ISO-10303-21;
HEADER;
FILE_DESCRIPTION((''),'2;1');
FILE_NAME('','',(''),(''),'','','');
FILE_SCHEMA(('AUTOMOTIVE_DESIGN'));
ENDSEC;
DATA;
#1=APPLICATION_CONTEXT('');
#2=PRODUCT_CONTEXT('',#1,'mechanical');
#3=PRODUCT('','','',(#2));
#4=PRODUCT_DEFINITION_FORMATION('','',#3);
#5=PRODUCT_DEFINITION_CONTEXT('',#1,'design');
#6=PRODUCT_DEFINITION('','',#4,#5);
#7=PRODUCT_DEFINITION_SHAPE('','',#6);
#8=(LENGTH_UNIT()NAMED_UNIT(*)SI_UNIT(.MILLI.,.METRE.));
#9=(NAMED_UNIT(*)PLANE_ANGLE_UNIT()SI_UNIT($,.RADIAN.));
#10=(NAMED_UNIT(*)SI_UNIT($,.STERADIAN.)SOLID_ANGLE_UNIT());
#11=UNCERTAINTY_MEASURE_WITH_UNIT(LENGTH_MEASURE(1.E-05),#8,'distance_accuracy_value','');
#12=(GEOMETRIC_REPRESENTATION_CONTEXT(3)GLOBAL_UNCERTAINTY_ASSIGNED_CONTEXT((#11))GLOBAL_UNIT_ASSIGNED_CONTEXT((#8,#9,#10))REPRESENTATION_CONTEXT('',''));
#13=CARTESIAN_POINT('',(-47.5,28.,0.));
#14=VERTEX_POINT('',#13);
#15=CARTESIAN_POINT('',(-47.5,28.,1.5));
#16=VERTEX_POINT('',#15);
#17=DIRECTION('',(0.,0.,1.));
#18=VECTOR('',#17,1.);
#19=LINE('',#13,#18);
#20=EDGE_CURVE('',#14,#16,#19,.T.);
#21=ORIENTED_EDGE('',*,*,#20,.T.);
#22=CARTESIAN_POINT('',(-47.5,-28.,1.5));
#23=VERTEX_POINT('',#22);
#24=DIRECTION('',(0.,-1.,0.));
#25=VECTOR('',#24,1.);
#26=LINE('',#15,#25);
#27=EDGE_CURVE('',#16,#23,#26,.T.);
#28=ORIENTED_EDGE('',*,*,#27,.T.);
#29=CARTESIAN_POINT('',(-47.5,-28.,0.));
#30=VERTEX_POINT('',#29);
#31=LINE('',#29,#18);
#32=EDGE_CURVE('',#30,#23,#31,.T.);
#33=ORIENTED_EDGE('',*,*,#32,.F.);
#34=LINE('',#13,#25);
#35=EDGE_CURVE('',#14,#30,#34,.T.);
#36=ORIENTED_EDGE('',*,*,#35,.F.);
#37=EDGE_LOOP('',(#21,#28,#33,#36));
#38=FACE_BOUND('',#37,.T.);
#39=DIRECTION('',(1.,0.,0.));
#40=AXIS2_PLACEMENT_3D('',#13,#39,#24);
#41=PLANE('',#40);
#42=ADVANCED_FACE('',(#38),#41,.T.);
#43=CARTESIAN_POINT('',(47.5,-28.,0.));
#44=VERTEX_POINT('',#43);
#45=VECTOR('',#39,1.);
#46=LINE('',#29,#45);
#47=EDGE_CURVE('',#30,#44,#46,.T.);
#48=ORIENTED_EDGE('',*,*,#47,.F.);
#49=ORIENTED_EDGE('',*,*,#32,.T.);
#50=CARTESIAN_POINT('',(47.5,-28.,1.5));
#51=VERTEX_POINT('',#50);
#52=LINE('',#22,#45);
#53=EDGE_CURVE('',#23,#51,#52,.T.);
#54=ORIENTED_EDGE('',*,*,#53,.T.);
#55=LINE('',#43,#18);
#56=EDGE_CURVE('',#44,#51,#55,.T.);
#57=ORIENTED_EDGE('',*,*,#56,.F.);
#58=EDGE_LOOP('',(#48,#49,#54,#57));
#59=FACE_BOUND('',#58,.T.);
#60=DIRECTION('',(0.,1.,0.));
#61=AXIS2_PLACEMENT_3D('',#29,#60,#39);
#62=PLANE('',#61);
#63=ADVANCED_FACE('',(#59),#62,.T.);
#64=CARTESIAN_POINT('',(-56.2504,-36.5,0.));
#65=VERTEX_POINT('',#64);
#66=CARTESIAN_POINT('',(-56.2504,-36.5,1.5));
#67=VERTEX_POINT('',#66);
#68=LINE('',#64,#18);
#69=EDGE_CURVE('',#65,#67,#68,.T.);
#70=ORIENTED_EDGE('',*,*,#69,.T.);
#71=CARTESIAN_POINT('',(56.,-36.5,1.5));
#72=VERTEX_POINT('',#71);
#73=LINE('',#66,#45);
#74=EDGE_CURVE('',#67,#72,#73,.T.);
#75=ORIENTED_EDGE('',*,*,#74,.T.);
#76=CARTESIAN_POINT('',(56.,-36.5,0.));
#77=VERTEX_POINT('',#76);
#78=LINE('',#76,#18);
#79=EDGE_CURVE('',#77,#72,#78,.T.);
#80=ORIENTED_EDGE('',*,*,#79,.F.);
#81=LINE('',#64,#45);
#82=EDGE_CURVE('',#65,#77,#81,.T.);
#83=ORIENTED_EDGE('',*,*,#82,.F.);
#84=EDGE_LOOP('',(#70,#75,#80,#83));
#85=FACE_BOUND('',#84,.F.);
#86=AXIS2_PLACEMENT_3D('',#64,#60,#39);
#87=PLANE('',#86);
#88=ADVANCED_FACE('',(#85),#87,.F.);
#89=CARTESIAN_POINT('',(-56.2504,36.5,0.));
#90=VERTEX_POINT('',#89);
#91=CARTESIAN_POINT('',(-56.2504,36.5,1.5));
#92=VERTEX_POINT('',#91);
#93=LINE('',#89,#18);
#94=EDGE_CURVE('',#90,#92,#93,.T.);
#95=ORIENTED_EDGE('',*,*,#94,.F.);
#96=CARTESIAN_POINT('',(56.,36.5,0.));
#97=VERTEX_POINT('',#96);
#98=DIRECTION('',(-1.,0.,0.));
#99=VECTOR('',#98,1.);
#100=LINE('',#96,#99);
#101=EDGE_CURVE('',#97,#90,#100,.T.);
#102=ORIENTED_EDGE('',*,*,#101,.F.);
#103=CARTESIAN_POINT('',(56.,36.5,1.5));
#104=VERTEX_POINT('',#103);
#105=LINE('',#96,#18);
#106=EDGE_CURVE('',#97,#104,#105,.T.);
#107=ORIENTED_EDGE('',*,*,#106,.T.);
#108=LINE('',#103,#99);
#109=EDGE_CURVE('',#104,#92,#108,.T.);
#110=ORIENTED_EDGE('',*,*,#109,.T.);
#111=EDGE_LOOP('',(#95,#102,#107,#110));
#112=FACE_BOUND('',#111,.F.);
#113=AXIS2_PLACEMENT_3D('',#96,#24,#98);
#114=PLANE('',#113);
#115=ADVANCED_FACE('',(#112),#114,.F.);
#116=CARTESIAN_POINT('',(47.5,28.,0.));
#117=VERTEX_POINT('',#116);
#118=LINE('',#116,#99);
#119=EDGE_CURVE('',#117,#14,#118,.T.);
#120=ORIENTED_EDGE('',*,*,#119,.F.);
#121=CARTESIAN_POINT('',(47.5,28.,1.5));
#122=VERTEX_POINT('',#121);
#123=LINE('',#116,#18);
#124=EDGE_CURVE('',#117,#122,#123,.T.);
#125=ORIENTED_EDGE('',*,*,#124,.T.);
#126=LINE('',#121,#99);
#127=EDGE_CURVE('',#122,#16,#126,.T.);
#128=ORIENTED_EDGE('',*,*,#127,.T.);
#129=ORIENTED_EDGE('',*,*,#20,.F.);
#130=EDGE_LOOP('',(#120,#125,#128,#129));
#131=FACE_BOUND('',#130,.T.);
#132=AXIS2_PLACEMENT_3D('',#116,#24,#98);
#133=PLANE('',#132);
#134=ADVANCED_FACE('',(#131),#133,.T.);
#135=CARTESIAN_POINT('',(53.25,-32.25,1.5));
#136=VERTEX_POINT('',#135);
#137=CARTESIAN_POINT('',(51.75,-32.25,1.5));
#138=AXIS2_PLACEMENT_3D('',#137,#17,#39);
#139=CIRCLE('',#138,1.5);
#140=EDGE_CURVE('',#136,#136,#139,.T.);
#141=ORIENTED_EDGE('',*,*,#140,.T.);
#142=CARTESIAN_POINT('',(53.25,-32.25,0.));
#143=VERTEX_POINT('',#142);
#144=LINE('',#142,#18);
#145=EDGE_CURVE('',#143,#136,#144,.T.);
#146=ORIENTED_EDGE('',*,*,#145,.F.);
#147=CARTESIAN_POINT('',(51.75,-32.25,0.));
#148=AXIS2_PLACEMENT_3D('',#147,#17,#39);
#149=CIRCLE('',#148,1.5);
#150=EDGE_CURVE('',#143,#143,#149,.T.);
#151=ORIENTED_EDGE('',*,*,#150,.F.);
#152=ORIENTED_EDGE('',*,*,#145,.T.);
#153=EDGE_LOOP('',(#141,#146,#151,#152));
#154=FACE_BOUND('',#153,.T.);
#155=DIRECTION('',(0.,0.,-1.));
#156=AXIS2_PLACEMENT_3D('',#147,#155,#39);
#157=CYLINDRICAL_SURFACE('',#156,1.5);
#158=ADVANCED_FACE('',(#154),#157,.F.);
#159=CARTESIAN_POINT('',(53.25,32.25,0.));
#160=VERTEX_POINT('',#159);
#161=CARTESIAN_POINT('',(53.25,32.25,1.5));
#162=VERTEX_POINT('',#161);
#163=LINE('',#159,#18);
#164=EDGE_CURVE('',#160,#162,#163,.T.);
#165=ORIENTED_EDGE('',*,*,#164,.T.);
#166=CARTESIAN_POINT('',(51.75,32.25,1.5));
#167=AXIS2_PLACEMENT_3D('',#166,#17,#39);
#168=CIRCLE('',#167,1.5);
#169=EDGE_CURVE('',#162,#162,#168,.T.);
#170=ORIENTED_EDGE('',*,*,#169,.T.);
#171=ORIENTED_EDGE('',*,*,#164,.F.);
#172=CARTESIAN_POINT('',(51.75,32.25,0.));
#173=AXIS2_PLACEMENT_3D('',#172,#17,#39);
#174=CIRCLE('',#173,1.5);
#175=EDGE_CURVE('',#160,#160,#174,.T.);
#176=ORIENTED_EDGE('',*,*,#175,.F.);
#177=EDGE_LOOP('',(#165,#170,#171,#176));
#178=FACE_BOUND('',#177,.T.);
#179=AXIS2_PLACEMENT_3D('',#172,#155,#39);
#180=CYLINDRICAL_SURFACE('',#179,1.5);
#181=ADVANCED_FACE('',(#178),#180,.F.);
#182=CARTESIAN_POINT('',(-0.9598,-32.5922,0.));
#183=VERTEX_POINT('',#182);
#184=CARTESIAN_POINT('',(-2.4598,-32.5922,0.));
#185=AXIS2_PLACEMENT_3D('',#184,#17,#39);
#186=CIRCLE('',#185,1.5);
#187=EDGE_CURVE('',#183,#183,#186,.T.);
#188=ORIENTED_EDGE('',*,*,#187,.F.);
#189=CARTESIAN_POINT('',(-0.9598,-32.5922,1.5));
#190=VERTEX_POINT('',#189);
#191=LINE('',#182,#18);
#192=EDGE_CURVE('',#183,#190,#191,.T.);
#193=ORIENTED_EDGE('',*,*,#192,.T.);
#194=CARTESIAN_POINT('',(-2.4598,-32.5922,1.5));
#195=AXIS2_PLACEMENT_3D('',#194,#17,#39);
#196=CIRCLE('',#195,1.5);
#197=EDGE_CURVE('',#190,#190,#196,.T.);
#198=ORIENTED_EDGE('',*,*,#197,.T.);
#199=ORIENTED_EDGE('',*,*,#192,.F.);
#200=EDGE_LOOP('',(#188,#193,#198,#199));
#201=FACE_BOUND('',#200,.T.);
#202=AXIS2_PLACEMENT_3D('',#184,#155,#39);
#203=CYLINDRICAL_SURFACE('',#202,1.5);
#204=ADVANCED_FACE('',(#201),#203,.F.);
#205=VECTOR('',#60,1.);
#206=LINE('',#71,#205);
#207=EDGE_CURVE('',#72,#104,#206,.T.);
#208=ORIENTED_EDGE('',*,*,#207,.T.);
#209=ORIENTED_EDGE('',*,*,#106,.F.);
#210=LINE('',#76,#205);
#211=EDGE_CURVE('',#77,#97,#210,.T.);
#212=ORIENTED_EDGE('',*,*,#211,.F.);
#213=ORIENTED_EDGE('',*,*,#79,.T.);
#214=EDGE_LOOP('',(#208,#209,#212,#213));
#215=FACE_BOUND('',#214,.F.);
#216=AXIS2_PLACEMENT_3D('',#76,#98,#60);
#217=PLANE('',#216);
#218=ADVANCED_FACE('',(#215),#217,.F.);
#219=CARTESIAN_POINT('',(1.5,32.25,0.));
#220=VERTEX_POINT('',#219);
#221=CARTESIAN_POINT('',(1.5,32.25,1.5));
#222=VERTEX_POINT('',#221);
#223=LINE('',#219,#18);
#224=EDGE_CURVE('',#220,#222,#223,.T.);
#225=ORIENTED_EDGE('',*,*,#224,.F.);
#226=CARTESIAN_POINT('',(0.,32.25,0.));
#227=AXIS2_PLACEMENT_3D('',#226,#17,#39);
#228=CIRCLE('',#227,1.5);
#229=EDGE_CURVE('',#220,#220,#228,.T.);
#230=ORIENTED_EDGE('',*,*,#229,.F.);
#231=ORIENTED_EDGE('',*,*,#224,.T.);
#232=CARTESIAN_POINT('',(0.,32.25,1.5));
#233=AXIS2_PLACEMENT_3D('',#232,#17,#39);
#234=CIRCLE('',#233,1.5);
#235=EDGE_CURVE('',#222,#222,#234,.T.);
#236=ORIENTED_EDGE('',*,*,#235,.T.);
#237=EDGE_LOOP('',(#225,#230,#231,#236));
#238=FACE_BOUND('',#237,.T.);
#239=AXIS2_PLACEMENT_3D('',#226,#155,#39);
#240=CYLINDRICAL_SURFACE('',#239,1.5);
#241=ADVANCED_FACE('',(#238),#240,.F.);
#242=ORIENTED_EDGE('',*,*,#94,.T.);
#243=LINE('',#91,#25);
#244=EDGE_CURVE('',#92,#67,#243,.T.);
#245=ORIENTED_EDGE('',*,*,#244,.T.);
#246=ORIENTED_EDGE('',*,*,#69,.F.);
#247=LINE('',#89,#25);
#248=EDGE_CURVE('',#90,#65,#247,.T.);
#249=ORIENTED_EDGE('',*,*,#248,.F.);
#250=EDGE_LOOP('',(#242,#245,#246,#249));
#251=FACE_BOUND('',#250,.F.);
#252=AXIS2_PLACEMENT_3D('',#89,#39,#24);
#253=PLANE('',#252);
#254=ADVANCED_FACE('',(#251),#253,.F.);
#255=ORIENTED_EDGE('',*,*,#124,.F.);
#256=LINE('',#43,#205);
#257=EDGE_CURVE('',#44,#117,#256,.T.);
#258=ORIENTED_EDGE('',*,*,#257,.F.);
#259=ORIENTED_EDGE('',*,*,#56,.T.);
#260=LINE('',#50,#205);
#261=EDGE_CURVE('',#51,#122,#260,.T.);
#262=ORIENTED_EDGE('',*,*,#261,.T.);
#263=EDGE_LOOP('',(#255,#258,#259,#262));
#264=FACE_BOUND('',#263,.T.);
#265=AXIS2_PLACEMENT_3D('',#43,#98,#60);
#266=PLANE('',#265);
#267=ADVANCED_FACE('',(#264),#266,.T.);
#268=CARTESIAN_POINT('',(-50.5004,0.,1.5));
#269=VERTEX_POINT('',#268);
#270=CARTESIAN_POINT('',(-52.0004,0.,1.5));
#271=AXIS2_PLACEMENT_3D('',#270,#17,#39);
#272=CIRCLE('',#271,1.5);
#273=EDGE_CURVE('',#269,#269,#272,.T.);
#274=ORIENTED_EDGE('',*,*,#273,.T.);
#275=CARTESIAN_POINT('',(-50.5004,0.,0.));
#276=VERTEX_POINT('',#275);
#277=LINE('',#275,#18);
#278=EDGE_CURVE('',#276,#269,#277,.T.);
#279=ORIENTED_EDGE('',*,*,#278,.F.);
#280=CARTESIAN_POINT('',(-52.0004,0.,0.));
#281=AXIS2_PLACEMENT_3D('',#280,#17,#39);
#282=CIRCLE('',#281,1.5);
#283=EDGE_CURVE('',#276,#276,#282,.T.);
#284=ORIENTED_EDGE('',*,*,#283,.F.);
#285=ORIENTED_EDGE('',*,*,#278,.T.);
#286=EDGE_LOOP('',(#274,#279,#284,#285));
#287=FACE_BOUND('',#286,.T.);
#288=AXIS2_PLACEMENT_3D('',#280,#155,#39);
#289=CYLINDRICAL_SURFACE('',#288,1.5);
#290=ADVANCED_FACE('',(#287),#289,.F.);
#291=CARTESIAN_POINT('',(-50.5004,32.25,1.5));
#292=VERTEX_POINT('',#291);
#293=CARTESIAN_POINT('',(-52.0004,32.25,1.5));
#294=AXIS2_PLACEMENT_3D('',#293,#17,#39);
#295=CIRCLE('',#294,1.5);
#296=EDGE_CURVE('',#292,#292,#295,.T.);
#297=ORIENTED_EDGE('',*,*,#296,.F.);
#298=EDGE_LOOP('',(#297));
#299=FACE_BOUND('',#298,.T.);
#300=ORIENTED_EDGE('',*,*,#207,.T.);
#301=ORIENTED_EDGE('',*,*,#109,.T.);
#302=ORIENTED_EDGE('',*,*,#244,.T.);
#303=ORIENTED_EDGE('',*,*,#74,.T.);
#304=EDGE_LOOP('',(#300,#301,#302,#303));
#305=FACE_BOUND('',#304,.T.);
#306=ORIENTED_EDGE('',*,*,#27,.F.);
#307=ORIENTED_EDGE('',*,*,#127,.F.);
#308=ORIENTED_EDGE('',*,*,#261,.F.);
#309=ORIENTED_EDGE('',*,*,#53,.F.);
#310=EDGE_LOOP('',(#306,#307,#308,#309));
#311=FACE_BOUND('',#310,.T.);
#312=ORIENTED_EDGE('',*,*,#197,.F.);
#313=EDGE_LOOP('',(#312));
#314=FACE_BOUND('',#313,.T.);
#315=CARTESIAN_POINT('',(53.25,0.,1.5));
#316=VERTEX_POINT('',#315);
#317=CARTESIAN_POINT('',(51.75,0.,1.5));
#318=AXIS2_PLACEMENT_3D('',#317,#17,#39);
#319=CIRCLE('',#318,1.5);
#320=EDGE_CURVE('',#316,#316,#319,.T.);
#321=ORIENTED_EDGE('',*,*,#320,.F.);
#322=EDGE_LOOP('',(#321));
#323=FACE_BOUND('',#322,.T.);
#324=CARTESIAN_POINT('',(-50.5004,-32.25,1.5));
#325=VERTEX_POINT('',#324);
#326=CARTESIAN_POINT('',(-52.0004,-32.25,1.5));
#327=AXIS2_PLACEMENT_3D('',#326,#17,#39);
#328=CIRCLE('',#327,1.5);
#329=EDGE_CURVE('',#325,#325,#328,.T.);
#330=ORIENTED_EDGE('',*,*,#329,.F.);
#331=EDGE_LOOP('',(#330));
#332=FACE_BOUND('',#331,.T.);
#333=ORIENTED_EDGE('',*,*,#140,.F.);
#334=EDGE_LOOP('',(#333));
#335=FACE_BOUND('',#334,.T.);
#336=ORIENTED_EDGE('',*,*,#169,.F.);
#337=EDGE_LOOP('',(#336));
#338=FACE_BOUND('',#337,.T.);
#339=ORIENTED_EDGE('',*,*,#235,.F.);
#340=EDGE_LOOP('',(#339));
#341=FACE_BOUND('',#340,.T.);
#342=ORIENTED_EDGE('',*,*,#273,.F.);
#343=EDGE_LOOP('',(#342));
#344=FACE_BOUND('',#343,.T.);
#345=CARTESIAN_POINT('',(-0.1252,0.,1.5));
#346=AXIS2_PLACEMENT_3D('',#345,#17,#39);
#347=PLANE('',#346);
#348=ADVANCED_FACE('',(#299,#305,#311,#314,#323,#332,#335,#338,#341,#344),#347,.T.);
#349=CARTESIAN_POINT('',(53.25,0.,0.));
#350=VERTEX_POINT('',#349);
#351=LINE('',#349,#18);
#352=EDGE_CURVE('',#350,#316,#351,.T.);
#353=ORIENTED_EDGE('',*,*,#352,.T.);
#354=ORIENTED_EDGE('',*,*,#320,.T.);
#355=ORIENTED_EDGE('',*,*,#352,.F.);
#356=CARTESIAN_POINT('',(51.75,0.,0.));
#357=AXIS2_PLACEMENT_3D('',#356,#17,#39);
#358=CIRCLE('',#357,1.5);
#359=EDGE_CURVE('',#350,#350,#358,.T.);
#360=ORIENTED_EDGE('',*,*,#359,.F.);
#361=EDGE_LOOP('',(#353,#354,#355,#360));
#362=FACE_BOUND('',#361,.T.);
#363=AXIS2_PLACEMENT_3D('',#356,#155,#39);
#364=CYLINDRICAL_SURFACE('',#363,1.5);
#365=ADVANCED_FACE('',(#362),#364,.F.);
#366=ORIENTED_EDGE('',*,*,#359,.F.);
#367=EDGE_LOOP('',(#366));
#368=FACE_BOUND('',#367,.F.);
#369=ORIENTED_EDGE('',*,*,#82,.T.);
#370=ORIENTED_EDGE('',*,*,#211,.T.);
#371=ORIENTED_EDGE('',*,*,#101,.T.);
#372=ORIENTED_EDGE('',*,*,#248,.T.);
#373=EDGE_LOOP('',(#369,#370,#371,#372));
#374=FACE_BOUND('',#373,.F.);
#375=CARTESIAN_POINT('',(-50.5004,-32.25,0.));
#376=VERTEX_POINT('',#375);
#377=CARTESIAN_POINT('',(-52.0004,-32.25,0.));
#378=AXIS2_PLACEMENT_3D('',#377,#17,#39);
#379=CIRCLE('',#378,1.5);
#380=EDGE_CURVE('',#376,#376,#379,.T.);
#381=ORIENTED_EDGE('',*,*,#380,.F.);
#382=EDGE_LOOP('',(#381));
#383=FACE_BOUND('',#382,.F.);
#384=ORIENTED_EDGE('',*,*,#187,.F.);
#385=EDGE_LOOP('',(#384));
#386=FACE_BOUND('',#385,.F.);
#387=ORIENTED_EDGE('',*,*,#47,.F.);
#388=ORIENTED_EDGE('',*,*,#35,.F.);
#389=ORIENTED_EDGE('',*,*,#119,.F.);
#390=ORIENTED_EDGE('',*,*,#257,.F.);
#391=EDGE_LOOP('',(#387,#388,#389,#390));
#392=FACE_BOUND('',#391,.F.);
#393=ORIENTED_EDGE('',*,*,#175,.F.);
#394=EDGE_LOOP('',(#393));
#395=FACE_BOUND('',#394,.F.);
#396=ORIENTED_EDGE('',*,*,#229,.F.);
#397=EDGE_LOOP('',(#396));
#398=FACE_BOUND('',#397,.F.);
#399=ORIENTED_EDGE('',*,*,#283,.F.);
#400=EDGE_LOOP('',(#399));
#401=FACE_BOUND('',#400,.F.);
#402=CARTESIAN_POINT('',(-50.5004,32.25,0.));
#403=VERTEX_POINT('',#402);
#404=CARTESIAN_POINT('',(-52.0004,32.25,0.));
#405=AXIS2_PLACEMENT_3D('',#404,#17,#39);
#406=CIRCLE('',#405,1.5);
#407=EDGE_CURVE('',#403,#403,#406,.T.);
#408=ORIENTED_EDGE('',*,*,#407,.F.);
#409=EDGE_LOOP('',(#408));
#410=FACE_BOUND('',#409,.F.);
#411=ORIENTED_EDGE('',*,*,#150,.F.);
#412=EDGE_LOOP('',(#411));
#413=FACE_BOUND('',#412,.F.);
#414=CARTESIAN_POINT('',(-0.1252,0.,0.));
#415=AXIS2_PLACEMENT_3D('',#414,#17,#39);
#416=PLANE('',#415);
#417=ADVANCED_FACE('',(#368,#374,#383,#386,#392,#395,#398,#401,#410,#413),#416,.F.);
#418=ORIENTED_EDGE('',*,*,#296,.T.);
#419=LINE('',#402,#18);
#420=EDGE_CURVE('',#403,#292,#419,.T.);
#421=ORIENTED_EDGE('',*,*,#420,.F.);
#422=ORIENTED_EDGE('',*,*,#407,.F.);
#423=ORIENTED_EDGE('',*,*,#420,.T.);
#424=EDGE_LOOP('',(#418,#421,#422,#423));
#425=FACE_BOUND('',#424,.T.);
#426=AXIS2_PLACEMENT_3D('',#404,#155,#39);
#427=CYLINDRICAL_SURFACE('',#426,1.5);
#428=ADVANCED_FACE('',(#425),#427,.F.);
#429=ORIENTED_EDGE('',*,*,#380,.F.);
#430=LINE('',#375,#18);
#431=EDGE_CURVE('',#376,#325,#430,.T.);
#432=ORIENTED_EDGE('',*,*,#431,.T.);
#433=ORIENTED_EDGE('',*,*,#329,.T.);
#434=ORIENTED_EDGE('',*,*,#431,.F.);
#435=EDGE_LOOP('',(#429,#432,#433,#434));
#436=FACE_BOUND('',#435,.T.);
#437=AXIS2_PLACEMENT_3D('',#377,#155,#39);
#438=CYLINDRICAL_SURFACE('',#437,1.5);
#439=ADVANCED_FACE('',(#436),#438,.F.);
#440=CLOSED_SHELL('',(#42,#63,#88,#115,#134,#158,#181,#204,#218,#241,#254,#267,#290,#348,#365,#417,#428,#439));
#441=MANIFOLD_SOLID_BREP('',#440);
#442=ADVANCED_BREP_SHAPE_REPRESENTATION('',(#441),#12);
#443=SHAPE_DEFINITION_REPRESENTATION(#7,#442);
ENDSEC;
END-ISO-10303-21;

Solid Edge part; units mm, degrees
sketch "Sketch1" plane through (0, 0, 0) normal (0, 0, 1) x (1, 0, 0)
  line L0 (-47.5, -28) -> (47.5, -28)
  line L1 (47.5, -28) -> (47.5, 28)
  line L2 (47.5, 28) -> (-47.5, 28)
  line L3 (-47.5, 28) -> (-47.5, -28)
  line L4 (-56.2504, -36.5) -> (56, -36.5)
  line L5 (56, -36.5) -> (56, 36.5)
  line L6 (56, 36.5) -> (-56.2504, 36.5)
  line L7 (-56.2504, 36.5) -> (-56.2504, -36.5)
  circle A0 centre (-52.0004, 32.25) radius 1.5
  circle A1 centre (0, 32.25) radius 1.5
  circle A2 centre (51.75, 32.25) radius 1.5
  circle A3 centre (51.75, 0) radius 1.5
  circle A4 centre (51.75, -32.25) radius 1.5
  circle A5 centre (-52.0004, -32.25) radius 1.5
  circle A6 centre (-2.4598, -32.5922) radius 1.5
  circle A7 centre (-52.0004, 0) radius 1.5
  dimension "D1" = 95
  dimension "D2" = 47.5
  dimension "D3" = 56
  dimension "D4" = 28
  dimension "D5" = 4.25
  dimension "D6" = 4.25
  dimension "D7" = 4.25
  dimension "D8" = 4.25
  dimension "D9" = 4.25
  dimension "D10" = 4.25
extrude "ProtrusiónExtruida_15" add sketch "Sketch1" along normal blind 1.5
